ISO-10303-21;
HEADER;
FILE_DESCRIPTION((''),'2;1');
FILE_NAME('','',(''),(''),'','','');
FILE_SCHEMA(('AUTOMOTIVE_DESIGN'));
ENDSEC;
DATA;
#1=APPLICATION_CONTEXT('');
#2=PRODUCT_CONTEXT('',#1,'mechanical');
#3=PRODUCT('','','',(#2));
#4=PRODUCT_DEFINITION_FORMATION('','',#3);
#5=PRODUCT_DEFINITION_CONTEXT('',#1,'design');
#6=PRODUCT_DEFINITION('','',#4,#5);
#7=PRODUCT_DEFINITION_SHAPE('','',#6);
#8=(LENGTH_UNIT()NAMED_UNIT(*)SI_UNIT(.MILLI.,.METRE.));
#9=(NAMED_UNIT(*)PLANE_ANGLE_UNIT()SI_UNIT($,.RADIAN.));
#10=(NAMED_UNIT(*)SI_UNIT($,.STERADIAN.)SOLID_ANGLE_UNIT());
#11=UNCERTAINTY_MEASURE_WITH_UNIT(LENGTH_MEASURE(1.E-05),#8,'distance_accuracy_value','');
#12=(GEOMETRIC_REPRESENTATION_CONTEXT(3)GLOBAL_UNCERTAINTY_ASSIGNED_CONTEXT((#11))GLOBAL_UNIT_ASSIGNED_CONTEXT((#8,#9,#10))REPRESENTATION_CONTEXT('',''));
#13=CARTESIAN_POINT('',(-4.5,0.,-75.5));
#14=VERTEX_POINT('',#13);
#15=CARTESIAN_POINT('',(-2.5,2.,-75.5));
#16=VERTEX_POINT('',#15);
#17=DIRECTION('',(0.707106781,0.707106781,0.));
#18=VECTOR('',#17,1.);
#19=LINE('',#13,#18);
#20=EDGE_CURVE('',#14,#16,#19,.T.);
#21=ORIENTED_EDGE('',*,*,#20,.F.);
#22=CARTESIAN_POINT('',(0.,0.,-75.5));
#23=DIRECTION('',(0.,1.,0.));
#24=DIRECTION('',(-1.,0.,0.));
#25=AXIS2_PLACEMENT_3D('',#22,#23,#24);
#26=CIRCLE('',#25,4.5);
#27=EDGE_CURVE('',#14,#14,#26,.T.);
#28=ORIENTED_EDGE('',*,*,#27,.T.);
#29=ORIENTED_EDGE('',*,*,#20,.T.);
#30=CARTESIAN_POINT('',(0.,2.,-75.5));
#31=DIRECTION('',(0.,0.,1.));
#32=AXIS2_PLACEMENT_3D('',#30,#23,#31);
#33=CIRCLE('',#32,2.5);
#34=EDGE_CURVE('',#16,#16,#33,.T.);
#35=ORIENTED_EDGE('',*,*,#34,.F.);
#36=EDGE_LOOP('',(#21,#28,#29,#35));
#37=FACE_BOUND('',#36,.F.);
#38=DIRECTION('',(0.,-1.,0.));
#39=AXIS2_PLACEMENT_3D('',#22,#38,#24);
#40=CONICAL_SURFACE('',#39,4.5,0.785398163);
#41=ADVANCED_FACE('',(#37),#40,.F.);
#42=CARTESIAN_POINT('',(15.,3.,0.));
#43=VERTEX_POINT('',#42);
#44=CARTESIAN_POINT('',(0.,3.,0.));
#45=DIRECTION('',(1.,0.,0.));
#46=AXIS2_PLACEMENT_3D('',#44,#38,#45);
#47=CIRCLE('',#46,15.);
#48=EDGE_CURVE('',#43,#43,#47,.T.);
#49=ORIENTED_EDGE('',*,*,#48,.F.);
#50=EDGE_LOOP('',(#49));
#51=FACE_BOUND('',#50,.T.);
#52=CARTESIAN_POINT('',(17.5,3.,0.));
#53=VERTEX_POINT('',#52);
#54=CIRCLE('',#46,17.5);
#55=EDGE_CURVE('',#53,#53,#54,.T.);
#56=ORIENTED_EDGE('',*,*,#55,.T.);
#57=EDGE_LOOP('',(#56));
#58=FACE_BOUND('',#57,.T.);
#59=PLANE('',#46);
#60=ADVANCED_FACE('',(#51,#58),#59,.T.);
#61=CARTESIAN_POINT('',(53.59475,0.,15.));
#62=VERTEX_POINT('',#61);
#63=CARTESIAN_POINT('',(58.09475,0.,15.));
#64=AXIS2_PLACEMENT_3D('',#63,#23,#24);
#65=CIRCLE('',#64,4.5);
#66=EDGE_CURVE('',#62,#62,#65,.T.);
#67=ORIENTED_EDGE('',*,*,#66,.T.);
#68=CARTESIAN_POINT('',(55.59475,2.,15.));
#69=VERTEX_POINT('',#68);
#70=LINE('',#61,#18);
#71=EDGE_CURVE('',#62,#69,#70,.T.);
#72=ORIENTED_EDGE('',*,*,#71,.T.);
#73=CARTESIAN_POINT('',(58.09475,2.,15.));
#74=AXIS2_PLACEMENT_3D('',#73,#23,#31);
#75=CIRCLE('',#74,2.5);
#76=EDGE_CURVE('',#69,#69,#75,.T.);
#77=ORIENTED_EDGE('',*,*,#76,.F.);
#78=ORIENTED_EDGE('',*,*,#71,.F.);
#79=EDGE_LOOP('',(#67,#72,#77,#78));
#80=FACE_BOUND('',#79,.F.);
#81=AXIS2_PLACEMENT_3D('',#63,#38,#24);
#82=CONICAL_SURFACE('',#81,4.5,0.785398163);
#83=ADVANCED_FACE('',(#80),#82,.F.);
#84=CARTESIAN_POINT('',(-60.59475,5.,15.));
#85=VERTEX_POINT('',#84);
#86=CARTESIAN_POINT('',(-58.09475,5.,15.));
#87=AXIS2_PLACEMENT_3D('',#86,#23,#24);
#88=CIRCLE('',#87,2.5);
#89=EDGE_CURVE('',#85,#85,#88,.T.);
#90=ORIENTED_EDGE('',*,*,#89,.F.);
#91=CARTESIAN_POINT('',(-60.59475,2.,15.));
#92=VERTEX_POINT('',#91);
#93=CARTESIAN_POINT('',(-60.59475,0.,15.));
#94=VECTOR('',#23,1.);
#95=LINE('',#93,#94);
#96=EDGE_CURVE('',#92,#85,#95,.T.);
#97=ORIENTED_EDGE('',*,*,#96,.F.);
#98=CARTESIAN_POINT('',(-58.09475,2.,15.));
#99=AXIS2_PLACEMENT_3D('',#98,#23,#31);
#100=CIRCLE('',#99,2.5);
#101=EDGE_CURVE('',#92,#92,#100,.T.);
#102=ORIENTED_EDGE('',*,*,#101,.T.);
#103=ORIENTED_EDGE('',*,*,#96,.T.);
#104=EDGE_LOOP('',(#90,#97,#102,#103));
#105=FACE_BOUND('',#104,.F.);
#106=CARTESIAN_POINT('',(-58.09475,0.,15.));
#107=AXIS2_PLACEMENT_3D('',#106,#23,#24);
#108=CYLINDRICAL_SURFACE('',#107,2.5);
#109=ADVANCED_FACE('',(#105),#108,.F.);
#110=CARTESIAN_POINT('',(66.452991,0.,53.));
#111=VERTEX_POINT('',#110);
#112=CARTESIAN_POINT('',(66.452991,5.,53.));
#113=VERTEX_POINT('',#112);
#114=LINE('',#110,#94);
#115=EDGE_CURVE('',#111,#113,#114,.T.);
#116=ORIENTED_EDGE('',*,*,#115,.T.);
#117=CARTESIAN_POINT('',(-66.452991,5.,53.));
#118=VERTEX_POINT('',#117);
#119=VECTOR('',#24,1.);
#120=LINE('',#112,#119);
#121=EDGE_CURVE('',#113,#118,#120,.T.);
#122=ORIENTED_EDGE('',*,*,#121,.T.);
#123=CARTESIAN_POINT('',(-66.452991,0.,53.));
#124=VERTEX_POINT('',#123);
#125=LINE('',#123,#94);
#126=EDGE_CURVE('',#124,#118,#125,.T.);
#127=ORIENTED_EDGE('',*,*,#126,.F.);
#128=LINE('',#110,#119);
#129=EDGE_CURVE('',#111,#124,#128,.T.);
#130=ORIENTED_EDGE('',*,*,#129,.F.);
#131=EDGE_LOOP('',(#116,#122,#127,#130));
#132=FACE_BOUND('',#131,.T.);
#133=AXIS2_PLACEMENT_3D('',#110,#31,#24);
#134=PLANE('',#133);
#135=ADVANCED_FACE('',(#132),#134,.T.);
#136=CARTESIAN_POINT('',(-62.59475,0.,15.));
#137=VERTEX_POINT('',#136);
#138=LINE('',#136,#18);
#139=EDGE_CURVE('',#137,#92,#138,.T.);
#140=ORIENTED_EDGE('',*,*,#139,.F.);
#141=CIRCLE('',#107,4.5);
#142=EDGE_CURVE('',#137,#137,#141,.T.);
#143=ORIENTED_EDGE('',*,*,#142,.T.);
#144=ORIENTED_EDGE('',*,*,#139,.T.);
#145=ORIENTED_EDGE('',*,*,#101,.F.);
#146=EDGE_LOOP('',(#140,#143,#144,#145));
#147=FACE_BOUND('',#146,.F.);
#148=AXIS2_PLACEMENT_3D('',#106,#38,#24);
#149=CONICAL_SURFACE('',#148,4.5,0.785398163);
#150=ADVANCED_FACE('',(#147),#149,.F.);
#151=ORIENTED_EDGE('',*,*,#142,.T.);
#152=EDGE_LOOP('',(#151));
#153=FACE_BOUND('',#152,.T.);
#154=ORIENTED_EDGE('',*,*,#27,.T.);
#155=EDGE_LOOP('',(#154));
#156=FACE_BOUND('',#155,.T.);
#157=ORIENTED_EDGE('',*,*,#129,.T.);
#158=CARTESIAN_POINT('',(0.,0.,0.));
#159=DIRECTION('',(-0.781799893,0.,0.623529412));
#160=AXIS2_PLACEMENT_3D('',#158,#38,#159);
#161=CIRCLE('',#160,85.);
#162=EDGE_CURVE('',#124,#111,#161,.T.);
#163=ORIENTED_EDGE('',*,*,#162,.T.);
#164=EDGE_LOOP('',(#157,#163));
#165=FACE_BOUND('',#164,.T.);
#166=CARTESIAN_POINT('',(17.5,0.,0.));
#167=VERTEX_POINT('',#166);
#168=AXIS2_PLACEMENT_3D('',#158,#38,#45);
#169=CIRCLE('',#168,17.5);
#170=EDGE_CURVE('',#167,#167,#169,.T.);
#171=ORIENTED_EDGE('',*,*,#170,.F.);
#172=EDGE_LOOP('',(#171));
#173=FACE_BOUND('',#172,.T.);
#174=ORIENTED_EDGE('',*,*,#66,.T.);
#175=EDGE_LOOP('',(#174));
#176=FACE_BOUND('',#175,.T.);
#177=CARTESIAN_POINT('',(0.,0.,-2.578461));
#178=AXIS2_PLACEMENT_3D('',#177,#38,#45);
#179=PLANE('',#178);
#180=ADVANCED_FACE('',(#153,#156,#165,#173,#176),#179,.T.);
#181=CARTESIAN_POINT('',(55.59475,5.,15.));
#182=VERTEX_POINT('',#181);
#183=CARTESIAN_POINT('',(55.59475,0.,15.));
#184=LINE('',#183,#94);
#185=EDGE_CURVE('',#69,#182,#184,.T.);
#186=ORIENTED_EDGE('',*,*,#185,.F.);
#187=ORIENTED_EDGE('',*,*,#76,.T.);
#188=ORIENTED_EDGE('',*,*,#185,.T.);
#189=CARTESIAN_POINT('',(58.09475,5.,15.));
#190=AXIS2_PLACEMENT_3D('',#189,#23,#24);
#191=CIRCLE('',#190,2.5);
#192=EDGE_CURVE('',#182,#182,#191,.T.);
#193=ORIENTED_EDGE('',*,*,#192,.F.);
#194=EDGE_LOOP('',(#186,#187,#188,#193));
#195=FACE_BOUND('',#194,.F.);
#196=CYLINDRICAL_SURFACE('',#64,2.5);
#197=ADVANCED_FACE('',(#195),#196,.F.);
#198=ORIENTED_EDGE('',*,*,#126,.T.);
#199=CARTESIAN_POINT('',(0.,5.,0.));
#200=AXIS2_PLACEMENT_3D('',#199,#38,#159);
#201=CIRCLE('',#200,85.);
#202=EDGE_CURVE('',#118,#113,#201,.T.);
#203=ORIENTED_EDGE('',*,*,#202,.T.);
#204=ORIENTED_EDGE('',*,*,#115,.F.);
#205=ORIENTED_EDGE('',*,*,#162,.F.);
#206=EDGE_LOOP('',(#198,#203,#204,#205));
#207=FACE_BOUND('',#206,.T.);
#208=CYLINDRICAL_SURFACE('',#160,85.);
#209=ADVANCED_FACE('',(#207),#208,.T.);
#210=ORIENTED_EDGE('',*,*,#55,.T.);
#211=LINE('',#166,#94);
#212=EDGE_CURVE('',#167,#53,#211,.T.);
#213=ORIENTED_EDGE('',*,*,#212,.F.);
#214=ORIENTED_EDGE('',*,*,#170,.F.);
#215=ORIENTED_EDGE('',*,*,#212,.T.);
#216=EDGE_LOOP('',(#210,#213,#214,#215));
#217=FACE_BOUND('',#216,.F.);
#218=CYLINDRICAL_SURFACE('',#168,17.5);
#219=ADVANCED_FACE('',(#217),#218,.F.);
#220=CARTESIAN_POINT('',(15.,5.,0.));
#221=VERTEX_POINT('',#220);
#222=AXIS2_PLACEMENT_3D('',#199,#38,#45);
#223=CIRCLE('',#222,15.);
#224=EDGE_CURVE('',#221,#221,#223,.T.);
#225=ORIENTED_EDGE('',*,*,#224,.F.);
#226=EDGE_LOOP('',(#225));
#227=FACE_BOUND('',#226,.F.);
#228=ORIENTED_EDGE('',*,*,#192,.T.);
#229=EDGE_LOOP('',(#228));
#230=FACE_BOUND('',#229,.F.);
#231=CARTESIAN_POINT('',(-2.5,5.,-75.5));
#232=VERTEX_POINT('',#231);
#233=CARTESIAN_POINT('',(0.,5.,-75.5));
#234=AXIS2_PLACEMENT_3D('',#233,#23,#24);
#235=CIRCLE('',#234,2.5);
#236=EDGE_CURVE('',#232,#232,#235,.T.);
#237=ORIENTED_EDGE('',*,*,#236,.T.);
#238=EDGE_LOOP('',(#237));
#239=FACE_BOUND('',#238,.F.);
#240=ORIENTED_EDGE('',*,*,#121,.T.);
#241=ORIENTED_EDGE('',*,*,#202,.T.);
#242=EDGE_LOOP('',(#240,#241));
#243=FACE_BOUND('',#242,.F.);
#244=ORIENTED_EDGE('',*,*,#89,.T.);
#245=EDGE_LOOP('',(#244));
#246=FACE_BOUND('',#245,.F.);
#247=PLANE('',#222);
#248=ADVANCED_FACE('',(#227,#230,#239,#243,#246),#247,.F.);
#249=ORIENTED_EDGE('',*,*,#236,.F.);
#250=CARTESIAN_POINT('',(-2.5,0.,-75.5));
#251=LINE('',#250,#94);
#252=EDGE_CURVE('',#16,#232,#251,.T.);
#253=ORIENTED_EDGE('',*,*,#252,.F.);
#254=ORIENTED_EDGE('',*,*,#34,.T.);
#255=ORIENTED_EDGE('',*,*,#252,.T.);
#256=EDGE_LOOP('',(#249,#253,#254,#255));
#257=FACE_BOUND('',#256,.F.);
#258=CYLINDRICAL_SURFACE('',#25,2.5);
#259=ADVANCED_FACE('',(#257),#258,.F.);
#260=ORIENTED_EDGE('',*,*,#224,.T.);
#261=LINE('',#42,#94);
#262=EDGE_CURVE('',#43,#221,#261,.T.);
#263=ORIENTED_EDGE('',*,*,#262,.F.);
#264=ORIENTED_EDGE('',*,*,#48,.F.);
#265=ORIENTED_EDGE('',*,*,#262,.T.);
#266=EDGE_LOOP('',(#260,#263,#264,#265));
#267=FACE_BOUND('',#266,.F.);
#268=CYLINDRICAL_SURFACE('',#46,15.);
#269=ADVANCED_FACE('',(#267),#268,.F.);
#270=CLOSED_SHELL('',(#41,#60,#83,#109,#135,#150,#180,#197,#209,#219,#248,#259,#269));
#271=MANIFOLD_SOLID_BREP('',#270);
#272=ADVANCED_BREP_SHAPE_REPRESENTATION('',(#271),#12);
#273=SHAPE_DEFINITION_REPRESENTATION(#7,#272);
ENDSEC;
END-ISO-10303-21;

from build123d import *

# Parameters (mm, degrees)
F1_R           = 2.5
F1_R_2         = 17.5
F2_DEPTH       = 5
F3_START       = -3
F1_R_3         = 15
F3_DEPTH       = 2
F4_D           = 5
F4_CSINK_D     = 9
F4_CSINK_ANGLE = 90


with BuildPart() as f2:
    # F1 (on Front) → F2 (new body)
    with BuildSketch(Plane.XZ):
        with BuildLine():
            Line((66.4529909033, 53), (-66.4529909033, 53))
            ThreePointArc((-66.4529909033, 53), (0, -85), (66.4529909033, 53))
        make_face()
        with Locations((0, -75.5)):
            Circle(F1_R, mode=Mode.SUBTRACT)
        with Locations((-58.0947501931, 15)):
            Circle(F1_R, mode=Mode.SUBTRACT)
        Circle(F1_R_2, mode=Mode.SUBTRACT)
        with Locations((58.0947501931, 15)):
            Circle(F1_R, mode=Mode.SUBTRACT)
        with Locations((-58.0947501931, 15)):
            Circle(F1_R)
        with Locations((58.0947501931, 15)):
            Circle(F1_R)
        with Locations((0, -75.5)):
            Circle(F1_R)
    extrude(amount=-F2_DEPTH)

    # F1 (on Front) → F3 (join)
    with BuildSketch(Plane.XZ.offset(F3_START)):
        Circle(F1_R_2)
        Circle(F1_R_3, mode=Mode.SUBTRACT)
    extrude(amount=-F3_DEPTH)

    # F4 (through all)
    with Locations(Plane.XZ):
        with Locations((-58.0947501931, 15), (58.0947501931, 15), (0, -75.5)):
            CounterSinkHole(F4_D / 2, F4_CSINK_D / 2, counter_sink_angle=F4_CSINK_ANGLE)


solid = f2.part
